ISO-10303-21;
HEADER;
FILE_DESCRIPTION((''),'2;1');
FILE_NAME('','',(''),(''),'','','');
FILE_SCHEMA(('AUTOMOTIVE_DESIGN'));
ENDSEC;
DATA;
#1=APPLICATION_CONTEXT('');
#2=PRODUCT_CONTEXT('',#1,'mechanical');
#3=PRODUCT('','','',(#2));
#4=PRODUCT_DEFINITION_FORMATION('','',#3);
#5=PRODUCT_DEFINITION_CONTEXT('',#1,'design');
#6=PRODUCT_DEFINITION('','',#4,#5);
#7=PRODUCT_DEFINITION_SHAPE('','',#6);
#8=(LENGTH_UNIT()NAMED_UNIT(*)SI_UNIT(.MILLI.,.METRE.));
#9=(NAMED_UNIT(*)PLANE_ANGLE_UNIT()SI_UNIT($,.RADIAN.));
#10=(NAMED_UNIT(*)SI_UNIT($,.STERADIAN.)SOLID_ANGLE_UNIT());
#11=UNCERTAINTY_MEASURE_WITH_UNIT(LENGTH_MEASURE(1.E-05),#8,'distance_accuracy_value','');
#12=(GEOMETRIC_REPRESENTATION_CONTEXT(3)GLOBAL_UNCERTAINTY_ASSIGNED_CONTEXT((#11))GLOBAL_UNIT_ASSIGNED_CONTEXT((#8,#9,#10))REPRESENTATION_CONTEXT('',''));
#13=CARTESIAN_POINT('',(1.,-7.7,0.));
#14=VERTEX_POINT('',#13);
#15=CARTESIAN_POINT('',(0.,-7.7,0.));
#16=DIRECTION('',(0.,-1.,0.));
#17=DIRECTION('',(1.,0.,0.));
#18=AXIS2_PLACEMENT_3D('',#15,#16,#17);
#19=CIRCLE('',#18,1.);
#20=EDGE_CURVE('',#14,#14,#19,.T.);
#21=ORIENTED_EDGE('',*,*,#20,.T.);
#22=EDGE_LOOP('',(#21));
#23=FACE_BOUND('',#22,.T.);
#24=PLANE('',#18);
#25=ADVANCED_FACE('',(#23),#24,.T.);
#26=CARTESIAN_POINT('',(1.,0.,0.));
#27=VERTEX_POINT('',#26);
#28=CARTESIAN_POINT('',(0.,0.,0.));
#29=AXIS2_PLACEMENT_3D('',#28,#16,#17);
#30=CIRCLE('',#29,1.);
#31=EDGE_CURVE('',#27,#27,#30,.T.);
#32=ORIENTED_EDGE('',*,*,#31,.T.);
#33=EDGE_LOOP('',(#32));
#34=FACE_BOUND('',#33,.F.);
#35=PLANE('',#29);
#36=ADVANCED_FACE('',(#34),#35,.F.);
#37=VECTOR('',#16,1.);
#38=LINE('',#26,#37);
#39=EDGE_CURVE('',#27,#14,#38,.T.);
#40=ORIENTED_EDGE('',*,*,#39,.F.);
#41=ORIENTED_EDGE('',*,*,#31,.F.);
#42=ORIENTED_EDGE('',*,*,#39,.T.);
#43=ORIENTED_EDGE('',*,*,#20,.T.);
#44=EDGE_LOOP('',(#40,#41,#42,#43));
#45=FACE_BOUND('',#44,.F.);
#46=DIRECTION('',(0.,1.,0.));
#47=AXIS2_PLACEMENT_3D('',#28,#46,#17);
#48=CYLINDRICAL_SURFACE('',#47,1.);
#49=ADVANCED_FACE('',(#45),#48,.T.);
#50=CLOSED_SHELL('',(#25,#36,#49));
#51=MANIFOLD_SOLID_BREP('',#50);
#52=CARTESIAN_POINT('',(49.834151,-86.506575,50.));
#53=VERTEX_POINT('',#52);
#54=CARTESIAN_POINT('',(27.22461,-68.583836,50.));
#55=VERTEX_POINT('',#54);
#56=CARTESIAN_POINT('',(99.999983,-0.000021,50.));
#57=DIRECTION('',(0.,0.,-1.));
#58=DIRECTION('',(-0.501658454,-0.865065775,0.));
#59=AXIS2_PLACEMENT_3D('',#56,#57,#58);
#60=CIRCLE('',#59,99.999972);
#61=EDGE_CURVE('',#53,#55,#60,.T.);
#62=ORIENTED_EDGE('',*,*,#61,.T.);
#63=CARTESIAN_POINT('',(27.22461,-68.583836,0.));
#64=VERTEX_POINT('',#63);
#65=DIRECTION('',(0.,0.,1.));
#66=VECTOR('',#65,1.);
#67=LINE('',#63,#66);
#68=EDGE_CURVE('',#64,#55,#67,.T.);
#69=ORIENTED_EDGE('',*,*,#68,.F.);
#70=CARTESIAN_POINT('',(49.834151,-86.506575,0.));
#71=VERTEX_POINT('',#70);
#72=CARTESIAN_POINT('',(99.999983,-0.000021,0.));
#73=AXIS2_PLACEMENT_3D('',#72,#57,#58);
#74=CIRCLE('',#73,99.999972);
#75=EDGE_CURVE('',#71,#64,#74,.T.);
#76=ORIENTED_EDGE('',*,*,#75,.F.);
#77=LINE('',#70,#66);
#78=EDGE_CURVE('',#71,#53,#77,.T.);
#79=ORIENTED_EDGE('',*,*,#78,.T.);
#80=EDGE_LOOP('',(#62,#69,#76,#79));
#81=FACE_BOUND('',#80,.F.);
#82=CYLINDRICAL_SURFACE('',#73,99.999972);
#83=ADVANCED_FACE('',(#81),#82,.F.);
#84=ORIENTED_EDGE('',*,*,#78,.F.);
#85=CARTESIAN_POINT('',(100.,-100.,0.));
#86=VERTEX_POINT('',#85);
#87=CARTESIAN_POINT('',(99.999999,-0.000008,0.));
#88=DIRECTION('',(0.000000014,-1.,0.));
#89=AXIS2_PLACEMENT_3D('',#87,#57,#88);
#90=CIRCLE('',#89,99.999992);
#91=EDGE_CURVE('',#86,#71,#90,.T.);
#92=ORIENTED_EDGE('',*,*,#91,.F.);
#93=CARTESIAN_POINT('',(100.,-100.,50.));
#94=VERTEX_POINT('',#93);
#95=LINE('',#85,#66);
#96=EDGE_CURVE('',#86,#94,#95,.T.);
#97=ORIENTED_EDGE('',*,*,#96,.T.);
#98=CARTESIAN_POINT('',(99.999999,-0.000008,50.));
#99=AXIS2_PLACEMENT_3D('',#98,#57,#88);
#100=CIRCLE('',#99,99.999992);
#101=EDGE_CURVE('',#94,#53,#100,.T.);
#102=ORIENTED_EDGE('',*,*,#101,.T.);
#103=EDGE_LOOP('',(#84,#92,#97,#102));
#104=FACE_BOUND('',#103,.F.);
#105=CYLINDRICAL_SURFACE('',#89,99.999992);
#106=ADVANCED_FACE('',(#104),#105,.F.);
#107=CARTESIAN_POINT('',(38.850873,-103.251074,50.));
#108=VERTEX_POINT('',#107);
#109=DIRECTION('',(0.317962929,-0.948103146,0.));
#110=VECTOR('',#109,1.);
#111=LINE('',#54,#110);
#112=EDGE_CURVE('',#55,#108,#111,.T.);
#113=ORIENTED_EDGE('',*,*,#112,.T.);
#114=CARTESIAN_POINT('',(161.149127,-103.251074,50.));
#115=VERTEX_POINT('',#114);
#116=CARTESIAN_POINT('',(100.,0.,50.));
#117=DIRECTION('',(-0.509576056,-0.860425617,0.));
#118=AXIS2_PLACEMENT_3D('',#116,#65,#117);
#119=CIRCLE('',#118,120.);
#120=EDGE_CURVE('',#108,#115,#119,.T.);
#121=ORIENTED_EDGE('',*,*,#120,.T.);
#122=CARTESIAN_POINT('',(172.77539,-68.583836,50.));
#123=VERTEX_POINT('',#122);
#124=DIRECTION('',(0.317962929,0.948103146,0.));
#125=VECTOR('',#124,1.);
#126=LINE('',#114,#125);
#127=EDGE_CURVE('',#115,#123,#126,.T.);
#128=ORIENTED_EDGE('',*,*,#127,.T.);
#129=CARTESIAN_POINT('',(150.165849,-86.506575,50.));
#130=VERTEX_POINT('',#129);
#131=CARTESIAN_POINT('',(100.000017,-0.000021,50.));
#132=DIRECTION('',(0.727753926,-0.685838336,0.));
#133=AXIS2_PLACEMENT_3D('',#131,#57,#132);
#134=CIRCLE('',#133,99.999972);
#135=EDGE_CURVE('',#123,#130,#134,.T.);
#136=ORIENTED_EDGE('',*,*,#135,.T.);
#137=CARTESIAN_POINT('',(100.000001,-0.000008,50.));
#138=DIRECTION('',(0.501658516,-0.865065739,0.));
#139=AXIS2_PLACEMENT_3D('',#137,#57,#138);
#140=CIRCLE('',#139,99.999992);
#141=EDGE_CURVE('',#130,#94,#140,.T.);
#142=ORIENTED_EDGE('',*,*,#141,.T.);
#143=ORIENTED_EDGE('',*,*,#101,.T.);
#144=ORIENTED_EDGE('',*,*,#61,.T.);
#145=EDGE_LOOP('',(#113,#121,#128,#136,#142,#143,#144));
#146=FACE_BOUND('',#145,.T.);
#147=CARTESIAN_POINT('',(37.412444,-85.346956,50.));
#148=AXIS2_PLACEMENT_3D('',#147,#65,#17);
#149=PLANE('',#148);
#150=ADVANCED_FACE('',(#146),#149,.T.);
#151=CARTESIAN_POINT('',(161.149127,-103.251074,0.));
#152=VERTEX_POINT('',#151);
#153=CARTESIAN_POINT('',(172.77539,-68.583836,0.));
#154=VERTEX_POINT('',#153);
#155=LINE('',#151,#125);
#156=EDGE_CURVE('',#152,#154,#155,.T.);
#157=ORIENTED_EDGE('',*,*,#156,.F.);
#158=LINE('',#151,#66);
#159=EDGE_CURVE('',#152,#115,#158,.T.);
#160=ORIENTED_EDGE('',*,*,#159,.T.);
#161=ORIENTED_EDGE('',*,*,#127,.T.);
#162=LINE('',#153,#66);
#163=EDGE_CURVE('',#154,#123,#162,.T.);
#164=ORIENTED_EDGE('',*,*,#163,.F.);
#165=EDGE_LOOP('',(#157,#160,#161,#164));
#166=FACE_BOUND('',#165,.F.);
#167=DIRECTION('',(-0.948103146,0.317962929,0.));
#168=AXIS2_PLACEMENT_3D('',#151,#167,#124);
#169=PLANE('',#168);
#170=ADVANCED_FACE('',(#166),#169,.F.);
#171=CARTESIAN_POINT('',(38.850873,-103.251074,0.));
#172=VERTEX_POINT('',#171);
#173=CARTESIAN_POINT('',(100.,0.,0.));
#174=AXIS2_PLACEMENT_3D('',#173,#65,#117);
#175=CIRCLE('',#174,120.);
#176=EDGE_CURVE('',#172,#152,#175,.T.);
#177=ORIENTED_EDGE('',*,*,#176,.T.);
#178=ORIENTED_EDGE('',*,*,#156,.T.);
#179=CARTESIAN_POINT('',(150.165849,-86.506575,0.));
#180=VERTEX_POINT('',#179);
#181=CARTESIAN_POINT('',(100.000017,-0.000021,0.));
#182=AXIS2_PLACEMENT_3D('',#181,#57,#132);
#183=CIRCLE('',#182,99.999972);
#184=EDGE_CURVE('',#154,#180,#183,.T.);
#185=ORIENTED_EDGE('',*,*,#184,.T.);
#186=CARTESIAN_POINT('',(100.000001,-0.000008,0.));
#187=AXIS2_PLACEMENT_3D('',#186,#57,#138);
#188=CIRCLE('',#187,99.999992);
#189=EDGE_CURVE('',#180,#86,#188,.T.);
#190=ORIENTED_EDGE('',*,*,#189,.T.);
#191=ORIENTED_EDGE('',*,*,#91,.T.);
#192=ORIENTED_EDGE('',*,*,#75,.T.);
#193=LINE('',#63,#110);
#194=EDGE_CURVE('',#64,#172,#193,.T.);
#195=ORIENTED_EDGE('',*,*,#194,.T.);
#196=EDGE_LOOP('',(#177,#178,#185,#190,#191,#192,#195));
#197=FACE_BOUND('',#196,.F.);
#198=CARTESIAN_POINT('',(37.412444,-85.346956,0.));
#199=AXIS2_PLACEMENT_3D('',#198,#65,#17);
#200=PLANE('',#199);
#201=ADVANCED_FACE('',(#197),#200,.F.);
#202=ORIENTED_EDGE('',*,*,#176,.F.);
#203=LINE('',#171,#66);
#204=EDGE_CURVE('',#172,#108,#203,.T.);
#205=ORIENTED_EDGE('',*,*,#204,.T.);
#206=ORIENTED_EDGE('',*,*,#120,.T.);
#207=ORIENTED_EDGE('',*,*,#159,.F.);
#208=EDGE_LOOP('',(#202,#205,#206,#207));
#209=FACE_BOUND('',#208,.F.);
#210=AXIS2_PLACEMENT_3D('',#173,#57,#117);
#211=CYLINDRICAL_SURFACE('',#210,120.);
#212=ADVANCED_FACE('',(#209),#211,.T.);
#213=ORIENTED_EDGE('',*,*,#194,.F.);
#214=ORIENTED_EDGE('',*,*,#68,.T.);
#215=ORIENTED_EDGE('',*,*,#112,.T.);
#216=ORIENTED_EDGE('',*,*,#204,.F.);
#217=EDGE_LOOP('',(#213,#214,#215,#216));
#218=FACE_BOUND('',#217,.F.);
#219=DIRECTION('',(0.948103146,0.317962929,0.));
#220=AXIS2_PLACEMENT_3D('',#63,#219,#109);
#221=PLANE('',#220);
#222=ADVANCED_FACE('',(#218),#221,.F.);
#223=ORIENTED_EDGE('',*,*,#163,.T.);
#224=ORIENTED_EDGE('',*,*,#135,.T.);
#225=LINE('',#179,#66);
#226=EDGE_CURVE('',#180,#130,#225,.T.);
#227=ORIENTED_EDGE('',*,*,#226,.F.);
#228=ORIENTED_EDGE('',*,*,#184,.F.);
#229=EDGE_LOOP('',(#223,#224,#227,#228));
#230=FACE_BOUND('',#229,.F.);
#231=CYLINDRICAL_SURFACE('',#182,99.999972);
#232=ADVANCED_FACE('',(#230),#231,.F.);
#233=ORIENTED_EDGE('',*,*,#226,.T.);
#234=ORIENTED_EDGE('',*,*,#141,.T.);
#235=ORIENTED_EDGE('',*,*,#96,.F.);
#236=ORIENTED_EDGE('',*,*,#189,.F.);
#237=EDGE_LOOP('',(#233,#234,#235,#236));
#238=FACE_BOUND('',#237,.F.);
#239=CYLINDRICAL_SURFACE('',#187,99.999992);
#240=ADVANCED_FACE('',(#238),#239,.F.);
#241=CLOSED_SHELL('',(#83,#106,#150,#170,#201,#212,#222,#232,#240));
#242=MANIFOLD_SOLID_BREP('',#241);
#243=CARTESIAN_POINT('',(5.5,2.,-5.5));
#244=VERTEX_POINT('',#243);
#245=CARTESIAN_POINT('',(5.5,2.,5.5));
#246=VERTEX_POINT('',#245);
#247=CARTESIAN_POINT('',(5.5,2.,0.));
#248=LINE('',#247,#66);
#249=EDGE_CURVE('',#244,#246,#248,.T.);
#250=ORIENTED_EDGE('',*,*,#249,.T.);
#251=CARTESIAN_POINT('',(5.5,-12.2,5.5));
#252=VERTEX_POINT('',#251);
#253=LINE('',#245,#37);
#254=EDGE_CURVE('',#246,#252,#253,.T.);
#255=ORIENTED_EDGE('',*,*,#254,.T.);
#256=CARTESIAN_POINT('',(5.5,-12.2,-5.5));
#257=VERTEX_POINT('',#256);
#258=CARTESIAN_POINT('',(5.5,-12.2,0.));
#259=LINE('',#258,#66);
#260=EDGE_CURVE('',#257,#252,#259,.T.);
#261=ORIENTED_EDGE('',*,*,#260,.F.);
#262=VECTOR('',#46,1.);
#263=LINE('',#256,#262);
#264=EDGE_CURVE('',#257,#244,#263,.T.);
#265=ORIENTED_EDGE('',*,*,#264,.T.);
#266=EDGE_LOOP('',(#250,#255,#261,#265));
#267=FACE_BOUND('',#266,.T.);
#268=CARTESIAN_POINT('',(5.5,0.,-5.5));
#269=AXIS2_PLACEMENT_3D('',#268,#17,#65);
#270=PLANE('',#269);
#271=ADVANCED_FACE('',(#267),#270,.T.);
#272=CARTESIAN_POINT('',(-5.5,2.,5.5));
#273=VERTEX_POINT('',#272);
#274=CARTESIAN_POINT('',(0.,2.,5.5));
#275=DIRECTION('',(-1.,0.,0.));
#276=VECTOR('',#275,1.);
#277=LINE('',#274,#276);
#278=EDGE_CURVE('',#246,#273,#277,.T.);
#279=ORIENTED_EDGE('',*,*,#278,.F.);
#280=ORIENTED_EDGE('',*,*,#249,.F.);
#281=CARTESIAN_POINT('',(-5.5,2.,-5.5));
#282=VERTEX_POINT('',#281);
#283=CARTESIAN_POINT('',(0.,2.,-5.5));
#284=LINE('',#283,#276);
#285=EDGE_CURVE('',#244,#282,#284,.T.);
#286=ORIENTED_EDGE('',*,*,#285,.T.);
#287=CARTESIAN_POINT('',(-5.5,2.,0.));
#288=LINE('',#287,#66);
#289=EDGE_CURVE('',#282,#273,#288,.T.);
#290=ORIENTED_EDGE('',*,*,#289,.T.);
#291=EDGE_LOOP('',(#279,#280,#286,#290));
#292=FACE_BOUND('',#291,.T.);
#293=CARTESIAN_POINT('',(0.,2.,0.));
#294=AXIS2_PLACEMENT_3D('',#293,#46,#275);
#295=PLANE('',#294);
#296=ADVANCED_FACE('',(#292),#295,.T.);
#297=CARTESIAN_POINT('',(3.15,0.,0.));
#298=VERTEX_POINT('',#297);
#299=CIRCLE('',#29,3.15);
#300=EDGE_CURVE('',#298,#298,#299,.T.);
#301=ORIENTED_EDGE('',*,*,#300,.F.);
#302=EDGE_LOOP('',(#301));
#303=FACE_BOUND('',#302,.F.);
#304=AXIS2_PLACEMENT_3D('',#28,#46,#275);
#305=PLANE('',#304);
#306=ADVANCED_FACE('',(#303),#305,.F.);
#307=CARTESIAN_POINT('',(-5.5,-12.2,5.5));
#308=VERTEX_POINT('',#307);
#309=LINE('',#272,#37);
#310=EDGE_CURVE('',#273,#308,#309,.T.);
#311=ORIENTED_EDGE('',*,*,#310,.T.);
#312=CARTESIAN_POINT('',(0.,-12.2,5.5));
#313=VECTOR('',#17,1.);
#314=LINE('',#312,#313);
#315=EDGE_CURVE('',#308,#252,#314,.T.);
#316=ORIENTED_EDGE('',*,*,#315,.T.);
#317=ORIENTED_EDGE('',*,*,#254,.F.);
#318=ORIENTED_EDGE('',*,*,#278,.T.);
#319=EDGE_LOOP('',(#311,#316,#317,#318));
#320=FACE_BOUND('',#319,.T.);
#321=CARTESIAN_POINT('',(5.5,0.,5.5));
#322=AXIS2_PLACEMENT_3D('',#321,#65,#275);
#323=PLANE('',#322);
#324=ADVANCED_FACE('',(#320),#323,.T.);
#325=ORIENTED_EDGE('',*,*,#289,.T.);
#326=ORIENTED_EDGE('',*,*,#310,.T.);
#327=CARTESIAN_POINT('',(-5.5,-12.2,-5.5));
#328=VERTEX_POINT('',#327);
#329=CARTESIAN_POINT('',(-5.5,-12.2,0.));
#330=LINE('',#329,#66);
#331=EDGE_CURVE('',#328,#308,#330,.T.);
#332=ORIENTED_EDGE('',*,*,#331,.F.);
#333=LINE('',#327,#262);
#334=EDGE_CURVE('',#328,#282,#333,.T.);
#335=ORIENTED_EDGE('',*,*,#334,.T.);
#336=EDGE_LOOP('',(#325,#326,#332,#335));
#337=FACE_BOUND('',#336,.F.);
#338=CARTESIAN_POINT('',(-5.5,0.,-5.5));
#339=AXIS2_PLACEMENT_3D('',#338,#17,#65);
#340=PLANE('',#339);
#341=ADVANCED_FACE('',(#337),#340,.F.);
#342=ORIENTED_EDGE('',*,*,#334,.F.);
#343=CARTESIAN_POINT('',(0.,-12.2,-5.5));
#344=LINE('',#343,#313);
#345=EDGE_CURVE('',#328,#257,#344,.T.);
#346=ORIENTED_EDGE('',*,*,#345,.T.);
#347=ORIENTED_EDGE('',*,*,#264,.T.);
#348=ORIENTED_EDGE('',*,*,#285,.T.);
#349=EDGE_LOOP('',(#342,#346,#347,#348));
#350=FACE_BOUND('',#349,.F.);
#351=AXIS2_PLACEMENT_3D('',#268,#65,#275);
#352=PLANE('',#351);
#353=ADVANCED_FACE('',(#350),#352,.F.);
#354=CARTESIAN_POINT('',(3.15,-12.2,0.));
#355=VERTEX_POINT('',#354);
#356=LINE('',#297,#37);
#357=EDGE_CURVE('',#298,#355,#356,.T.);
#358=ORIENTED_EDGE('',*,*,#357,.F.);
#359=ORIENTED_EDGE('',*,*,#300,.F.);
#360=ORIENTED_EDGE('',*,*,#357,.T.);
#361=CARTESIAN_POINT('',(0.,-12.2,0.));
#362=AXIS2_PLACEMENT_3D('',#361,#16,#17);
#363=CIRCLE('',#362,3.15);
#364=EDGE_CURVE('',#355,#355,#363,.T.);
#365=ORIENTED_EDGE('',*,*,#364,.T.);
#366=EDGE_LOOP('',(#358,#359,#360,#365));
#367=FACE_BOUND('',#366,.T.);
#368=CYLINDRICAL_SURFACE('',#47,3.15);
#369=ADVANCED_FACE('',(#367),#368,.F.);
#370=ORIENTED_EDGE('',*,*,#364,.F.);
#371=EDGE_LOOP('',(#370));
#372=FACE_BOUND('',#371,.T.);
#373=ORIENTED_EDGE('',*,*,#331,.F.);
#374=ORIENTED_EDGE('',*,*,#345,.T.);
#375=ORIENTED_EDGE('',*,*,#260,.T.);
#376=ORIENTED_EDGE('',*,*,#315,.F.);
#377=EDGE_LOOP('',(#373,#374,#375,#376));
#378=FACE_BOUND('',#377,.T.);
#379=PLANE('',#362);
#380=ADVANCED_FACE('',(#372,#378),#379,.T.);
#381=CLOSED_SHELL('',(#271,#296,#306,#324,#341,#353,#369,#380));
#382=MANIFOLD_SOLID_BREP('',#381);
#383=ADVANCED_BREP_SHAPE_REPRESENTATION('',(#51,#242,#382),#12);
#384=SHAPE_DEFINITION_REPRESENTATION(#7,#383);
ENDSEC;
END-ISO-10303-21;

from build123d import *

# Parameters (mm, degrees)
F1_DEPTH = 50
F2_W     = 11
F2_H     = 11
F2_R     = 3.15
F3_DEPTH = 12.2
F4_W     = 11
F4_H     = 11
F5_DEPTH = 2
F6_R     = 1
F7_DEPTH = 7.7


with BuildPart() as f1:
    # F0 (on Top) → F1 (new body)
    with BuildSketch(Plane.XY):
        with BuildLine():
            ThreePointArc((49.834151, -86.506575), (37.879607, -78.364895), (27.22461, -68.583836))
            Line((27.22461, -68.583836), (38.850873, -103.251074))
            Line((38.850873, -103.251074), (49.834151, -86.506575))
        make_face()
        with BuildLine():
            ThreePointArc((100, -100), (74.025566, -96.567742), (49.834151, -86.506575))
            Line((49.834151, -86.506575), (38.850873, -103.251074))
            ThreePointArc((38.850873, -103.251074), (100, -120), (161.149127, -103.251074))
            Line((161.149127, -103.251074), (150.165849, -86.506575))
            ThreePointArc((150.165849, -86.506575), (125.974434, -96.567742), (100, -100))
        make_face()
        with BuildLine():
            Line((150.165849, -86.506575), (161.149127, -103.251074))
            Line((161.149127, -103.251074), (172.77539, -68.583836))
            ThreePointArc((172.77539, -68.583836), (162.120393, -78.364895), (150.165849, -86.506575))
        make_face()
    extrude(amount=F1_DEPTH)


with BuildPart() as f3:
    # F2 (on Front) → F3 (new body)
    with BuildSketch(Plane.XZ):
        Rectangle(F2_W, F2_H)
        Circle(F2_R, mode=Mode.SUBTRACT)
    extrude(amount=F3_DEPTH)

    # F4 (on face) → F5 (join)
    with BuildSketch(Plane(origin=(0, 0, 0), x_dir=(-1, 0, 0), z_dir=(0, 1, 0))):
        Rectangle(F4_W, F4_H)
    extrude(amount=F5_DEPTH)


with BuildPart() as f7:
    # F6 (on face) → F7 (new body)
    with BuildSketch(Plane.XZ):
        Circle(F6_R)
    extrude(amount=F7_DEPTH)


solid = Compound([f1.part, f3.part, f7.part])
